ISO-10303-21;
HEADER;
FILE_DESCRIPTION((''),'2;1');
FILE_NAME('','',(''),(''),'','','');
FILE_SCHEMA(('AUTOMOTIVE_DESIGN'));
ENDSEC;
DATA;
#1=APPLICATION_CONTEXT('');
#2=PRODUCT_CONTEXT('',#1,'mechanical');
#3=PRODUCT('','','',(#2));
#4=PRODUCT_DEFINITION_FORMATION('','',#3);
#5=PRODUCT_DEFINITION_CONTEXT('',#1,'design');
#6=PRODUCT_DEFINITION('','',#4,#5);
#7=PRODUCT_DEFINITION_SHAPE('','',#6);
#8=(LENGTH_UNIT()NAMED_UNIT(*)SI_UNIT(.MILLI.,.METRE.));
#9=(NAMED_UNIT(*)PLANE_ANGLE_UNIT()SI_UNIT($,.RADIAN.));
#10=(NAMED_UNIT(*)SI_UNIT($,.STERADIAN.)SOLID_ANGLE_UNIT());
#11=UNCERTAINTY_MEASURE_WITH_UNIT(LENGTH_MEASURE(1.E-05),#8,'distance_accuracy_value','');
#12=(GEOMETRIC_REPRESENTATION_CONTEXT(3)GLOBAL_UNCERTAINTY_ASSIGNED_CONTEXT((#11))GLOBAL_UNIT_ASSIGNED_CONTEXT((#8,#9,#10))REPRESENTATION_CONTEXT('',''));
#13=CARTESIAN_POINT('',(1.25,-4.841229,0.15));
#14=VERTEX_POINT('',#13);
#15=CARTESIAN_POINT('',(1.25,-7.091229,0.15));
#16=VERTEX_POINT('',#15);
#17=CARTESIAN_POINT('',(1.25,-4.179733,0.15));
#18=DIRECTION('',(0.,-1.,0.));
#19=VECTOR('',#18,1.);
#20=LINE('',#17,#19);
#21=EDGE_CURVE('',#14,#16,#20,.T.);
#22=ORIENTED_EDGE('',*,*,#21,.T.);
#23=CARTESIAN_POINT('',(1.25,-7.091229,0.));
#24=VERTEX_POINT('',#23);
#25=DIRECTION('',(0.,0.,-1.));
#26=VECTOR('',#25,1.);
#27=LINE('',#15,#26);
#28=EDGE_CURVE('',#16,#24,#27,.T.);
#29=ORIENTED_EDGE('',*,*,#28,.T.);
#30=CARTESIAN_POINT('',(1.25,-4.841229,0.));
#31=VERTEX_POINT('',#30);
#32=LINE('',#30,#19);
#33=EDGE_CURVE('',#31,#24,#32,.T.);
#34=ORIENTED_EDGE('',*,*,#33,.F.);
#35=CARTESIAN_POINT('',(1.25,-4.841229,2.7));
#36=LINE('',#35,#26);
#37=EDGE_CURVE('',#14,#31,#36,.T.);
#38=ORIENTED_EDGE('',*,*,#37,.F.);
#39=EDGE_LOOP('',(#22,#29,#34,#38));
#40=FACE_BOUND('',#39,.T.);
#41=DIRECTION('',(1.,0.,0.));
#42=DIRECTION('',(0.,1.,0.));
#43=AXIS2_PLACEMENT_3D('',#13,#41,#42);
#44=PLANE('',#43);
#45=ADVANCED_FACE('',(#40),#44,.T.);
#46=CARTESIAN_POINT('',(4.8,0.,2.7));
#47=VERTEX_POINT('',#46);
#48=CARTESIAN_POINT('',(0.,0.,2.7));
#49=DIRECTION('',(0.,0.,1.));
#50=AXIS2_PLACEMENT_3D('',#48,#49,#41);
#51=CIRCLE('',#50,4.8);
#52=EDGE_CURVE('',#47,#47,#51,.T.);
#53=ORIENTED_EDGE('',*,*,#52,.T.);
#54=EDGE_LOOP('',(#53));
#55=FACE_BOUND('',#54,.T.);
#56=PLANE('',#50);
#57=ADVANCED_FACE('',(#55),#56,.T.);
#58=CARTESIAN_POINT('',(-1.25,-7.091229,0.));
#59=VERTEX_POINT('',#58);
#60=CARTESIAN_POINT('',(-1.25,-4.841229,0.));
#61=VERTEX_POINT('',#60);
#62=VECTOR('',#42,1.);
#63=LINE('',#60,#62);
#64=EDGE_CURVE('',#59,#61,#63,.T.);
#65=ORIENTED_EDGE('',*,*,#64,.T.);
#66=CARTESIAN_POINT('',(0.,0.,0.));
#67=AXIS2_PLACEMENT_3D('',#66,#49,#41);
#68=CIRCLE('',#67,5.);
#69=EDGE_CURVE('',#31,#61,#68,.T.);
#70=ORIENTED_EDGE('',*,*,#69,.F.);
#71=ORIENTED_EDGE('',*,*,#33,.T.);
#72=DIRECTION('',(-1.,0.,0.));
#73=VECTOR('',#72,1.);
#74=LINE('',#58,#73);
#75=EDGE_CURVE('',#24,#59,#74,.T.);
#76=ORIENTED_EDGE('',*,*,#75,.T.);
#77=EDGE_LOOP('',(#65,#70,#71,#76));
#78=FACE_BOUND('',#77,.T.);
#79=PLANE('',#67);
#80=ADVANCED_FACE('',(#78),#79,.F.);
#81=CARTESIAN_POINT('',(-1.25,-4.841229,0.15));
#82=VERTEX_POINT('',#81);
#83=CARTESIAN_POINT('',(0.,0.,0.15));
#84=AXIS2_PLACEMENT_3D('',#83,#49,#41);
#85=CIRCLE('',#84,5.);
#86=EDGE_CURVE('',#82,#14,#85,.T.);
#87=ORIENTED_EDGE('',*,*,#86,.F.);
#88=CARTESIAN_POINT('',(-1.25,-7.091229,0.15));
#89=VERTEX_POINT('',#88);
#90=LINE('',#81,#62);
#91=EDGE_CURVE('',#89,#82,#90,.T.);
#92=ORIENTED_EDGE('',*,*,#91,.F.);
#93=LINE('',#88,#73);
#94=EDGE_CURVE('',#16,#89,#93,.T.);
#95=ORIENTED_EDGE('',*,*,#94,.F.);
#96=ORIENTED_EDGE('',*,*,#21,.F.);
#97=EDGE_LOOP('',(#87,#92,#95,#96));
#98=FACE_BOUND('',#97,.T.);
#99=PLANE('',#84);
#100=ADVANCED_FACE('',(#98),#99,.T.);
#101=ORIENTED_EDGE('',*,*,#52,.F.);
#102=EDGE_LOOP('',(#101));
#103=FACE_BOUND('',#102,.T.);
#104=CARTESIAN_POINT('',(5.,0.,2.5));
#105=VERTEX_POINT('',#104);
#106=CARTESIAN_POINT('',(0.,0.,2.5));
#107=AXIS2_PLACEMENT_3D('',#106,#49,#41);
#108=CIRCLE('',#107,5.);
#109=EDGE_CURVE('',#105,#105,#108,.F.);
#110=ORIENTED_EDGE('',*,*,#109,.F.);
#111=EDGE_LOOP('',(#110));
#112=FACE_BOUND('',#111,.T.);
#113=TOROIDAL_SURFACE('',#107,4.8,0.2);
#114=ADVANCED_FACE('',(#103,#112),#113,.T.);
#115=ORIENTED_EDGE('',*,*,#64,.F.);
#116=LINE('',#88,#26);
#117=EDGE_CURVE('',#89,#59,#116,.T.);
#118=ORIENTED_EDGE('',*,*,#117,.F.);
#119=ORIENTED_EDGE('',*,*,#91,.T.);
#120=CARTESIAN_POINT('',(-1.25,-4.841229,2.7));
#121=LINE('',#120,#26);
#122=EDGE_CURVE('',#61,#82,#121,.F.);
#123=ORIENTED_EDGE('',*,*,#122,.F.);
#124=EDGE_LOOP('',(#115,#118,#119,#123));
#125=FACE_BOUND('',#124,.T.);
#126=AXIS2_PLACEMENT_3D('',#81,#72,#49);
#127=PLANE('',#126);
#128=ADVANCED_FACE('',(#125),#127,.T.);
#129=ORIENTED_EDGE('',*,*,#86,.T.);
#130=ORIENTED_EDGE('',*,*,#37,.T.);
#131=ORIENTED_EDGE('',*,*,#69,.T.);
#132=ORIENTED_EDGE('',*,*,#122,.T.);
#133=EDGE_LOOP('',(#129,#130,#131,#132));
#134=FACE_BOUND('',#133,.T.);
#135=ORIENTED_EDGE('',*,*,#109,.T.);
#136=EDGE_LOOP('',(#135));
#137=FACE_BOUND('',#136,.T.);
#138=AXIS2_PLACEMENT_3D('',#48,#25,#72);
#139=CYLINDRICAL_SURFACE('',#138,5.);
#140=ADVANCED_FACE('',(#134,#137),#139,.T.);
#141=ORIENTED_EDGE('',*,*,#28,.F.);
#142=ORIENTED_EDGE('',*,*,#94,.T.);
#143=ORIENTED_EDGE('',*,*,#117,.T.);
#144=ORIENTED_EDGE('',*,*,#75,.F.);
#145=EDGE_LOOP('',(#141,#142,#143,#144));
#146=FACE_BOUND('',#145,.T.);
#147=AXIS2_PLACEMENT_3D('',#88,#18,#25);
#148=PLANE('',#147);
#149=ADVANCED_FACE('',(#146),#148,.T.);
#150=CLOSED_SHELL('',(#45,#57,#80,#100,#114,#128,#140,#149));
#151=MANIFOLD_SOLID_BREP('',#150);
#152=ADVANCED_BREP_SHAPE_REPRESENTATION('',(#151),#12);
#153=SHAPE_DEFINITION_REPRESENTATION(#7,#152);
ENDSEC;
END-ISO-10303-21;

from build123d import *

# Parameters (mm, degrees)
SKETCH1_R           = 5
BOSS_EXTRUDE1_DEPTH = 2.7
BOSS_EXTRUDE2_DEPTH = 0.15
FILLET2_R           = 0.2


with BuildPart() as part:
    # Sketch1 → Boss-Extrude1 (new body)
    with BuildSketch(Plane.XY):
        Circle(SKETCH1_R)
    extrude(amount=BOSS_EXTRUDE1_DEPTH)

    # Sketch3 → Boss-Extrude2 (add)
    with BuildSketch(Plane(origin=(0, 0, 0), x_dir=(-1, 0, 0), z_dir=(0, 0, -1))):
        Polygon((1.25, -4.841229183), (1.25, -7.091229183), (-1.25, -7.091229183), (-1.25, -4.841229183), (-1.25, -4.179733262), (1.25, -4.179733262), align=None)
    extrude(amount=-BOSS_EXTRUDE2_DEPTH)

    # Fillet2
    fillet2_edges = [part.edges().sort_by_distance(p)[0] for p in [
        (-5, 0, 2.7),
    ]]
    fillet(fillet2_edges, radius=FILLET2_R)


solid = part.part
